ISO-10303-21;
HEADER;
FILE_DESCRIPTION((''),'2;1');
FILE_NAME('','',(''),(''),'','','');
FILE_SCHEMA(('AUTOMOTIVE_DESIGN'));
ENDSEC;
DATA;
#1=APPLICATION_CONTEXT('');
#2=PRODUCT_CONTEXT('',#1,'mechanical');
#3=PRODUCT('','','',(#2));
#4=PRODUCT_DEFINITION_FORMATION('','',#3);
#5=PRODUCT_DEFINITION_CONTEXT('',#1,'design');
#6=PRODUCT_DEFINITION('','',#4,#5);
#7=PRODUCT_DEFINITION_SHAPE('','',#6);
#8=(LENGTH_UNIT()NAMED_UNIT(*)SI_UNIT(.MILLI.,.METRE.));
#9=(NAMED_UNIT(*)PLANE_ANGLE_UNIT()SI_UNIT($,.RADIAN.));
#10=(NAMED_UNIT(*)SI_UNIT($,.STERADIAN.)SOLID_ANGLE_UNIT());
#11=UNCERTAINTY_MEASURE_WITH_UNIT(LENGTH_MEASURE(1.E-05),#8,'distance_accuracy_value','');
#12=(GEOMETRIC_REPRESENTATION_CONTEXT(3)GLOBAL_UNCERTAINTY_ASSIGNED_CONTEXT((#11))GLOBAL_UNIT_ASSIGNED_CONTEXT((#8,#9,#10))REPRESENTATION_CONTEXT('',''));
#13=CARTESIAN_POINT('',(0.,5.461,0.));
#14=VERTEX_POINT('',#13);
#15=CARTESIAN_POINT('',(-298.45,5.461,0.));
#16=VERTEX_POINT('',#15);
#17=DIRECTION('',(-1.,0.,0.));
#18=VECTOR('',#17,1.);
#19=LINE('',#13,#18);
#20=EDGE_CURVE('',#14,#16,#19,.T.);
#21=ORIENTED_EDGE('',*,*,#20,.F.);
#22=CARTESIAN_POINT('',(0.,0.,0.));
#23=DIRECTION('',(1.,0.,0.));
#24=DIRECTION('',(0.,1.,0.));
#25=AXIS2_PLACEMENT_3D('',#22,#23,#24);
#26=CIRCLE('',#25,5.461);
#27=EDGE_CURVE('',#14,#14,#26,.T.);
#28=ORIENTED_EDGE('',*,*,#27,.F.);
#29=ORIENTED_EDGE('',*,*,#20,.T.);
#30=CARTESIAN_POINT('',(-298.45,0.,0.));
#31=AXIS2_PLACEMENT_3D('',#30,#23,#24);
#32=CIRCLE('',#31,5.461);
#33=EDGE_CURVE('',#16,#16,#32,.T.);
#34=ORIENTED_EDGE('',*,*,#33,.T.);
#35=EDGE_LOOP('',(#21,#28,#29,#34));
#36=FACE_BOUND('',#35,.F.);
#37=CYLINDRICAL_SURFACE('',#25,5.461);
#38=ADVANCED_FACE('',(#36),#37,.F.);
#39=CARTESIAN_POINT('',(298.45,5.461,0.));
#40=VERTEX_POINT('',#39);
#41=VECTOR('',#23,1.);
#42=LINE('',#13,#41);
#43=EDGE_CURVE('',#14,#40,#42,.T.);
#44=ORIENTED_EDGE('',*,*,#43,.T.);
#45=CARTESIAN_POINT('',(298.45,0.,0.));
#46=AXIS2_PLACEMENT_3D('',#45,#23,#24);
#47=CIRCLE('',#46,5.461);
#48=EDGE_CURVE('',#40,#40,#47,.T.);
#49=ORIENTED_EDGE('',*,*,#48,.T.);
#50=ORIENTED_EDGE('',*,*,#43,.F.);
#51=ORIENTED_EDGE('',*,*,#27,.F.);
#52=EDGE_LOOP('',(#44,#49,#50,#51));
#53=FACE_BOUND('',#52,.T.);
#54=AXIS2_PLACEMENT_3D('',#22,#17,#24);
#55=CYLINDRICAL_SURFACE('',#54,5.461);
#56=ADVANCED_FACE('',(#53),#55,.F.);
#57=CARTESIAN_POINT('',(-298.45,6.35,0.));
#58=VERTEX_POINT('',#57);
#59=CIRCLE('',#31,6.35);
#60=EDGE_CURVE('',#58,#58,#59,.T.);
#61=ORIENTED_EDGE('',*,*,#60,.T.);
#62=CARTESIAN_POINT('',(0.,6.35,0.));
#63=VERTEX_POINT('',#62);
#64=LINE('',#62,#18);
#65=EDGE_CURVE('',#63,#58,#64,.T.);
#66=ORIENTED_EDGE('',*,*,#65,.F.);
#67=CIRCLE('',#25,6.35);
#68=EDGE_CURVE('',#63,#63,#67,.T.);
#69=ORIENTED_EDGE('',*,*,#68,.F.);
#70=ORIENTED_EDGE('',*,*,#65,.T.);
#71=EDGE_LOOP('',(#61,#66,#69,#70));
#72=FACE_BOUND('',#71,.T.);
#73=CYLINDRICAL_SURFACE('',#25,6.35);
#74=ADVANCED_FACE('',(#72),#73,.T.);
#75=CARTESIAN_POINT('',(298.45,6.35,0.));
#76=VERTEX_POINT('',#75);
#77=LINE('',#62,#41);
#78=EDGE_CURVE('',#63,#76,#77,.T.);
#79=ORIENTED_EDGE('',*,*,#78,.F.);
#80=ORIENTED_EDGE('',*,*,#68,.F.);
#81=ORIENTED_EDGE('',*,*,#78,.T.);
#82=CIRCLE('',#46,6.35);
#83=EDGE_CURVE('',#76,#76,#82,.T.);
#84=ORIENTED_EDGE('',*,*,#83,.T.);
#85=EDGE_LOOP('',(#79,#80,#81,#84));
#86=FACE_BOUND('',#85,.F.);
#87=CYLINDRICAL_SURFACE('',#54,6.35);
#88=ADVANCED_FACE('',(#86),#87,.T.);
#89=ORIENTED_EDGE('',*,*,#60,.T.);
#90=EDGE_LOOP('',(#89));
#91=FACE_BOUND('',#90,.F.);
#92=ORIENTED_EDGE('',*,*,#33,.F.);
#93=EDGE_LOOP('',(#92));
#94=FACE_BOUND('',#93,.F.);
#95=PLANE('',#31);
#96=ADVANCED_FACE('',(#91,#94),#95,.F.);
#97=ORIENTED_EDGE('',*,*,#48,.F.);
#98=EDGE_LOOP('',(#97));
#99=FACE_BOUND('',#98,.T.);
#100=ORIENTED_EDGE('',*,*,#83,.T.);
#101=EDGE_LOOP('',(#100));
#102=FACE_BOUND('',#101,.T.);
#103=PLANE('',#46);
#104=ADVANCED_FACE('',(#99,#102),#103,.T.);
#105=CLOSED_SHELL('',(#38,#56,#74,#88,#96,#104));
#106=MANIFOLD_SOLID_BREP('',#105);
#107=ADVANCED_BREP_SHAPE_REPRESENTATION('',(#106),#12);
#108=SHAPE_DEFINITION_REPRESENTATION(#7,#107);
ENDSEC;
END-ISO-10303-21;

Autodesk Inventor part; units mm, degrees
ref_plane "YZ Plane" through (0, 0, 0) normal (1, 0, 0) x (0, 1, 0)
ref_plane "XZ Plane" through (0, 0, 0) normal (0, 1, 0) x (-1, 0, 0)
ref_plane "XY Plane" through (0, 0, 0) normal (0, 0, 1) x (1, 0, 0)
sketch "Sketch1" plane through (0, 0, 0) normal (1, 0, 0) x (0, 1, 0)
  circle A0 centre (0, 0) radius 6.35
  circle A1 centre (0, 0) radius 5.461
  dimension "d0" = 12.7
  dimension "d5" = 10.922
extrude "Extrusion1" add sketch "Sketch1" along normal mid plane 596.9
properties part number "Hopper Roller"
